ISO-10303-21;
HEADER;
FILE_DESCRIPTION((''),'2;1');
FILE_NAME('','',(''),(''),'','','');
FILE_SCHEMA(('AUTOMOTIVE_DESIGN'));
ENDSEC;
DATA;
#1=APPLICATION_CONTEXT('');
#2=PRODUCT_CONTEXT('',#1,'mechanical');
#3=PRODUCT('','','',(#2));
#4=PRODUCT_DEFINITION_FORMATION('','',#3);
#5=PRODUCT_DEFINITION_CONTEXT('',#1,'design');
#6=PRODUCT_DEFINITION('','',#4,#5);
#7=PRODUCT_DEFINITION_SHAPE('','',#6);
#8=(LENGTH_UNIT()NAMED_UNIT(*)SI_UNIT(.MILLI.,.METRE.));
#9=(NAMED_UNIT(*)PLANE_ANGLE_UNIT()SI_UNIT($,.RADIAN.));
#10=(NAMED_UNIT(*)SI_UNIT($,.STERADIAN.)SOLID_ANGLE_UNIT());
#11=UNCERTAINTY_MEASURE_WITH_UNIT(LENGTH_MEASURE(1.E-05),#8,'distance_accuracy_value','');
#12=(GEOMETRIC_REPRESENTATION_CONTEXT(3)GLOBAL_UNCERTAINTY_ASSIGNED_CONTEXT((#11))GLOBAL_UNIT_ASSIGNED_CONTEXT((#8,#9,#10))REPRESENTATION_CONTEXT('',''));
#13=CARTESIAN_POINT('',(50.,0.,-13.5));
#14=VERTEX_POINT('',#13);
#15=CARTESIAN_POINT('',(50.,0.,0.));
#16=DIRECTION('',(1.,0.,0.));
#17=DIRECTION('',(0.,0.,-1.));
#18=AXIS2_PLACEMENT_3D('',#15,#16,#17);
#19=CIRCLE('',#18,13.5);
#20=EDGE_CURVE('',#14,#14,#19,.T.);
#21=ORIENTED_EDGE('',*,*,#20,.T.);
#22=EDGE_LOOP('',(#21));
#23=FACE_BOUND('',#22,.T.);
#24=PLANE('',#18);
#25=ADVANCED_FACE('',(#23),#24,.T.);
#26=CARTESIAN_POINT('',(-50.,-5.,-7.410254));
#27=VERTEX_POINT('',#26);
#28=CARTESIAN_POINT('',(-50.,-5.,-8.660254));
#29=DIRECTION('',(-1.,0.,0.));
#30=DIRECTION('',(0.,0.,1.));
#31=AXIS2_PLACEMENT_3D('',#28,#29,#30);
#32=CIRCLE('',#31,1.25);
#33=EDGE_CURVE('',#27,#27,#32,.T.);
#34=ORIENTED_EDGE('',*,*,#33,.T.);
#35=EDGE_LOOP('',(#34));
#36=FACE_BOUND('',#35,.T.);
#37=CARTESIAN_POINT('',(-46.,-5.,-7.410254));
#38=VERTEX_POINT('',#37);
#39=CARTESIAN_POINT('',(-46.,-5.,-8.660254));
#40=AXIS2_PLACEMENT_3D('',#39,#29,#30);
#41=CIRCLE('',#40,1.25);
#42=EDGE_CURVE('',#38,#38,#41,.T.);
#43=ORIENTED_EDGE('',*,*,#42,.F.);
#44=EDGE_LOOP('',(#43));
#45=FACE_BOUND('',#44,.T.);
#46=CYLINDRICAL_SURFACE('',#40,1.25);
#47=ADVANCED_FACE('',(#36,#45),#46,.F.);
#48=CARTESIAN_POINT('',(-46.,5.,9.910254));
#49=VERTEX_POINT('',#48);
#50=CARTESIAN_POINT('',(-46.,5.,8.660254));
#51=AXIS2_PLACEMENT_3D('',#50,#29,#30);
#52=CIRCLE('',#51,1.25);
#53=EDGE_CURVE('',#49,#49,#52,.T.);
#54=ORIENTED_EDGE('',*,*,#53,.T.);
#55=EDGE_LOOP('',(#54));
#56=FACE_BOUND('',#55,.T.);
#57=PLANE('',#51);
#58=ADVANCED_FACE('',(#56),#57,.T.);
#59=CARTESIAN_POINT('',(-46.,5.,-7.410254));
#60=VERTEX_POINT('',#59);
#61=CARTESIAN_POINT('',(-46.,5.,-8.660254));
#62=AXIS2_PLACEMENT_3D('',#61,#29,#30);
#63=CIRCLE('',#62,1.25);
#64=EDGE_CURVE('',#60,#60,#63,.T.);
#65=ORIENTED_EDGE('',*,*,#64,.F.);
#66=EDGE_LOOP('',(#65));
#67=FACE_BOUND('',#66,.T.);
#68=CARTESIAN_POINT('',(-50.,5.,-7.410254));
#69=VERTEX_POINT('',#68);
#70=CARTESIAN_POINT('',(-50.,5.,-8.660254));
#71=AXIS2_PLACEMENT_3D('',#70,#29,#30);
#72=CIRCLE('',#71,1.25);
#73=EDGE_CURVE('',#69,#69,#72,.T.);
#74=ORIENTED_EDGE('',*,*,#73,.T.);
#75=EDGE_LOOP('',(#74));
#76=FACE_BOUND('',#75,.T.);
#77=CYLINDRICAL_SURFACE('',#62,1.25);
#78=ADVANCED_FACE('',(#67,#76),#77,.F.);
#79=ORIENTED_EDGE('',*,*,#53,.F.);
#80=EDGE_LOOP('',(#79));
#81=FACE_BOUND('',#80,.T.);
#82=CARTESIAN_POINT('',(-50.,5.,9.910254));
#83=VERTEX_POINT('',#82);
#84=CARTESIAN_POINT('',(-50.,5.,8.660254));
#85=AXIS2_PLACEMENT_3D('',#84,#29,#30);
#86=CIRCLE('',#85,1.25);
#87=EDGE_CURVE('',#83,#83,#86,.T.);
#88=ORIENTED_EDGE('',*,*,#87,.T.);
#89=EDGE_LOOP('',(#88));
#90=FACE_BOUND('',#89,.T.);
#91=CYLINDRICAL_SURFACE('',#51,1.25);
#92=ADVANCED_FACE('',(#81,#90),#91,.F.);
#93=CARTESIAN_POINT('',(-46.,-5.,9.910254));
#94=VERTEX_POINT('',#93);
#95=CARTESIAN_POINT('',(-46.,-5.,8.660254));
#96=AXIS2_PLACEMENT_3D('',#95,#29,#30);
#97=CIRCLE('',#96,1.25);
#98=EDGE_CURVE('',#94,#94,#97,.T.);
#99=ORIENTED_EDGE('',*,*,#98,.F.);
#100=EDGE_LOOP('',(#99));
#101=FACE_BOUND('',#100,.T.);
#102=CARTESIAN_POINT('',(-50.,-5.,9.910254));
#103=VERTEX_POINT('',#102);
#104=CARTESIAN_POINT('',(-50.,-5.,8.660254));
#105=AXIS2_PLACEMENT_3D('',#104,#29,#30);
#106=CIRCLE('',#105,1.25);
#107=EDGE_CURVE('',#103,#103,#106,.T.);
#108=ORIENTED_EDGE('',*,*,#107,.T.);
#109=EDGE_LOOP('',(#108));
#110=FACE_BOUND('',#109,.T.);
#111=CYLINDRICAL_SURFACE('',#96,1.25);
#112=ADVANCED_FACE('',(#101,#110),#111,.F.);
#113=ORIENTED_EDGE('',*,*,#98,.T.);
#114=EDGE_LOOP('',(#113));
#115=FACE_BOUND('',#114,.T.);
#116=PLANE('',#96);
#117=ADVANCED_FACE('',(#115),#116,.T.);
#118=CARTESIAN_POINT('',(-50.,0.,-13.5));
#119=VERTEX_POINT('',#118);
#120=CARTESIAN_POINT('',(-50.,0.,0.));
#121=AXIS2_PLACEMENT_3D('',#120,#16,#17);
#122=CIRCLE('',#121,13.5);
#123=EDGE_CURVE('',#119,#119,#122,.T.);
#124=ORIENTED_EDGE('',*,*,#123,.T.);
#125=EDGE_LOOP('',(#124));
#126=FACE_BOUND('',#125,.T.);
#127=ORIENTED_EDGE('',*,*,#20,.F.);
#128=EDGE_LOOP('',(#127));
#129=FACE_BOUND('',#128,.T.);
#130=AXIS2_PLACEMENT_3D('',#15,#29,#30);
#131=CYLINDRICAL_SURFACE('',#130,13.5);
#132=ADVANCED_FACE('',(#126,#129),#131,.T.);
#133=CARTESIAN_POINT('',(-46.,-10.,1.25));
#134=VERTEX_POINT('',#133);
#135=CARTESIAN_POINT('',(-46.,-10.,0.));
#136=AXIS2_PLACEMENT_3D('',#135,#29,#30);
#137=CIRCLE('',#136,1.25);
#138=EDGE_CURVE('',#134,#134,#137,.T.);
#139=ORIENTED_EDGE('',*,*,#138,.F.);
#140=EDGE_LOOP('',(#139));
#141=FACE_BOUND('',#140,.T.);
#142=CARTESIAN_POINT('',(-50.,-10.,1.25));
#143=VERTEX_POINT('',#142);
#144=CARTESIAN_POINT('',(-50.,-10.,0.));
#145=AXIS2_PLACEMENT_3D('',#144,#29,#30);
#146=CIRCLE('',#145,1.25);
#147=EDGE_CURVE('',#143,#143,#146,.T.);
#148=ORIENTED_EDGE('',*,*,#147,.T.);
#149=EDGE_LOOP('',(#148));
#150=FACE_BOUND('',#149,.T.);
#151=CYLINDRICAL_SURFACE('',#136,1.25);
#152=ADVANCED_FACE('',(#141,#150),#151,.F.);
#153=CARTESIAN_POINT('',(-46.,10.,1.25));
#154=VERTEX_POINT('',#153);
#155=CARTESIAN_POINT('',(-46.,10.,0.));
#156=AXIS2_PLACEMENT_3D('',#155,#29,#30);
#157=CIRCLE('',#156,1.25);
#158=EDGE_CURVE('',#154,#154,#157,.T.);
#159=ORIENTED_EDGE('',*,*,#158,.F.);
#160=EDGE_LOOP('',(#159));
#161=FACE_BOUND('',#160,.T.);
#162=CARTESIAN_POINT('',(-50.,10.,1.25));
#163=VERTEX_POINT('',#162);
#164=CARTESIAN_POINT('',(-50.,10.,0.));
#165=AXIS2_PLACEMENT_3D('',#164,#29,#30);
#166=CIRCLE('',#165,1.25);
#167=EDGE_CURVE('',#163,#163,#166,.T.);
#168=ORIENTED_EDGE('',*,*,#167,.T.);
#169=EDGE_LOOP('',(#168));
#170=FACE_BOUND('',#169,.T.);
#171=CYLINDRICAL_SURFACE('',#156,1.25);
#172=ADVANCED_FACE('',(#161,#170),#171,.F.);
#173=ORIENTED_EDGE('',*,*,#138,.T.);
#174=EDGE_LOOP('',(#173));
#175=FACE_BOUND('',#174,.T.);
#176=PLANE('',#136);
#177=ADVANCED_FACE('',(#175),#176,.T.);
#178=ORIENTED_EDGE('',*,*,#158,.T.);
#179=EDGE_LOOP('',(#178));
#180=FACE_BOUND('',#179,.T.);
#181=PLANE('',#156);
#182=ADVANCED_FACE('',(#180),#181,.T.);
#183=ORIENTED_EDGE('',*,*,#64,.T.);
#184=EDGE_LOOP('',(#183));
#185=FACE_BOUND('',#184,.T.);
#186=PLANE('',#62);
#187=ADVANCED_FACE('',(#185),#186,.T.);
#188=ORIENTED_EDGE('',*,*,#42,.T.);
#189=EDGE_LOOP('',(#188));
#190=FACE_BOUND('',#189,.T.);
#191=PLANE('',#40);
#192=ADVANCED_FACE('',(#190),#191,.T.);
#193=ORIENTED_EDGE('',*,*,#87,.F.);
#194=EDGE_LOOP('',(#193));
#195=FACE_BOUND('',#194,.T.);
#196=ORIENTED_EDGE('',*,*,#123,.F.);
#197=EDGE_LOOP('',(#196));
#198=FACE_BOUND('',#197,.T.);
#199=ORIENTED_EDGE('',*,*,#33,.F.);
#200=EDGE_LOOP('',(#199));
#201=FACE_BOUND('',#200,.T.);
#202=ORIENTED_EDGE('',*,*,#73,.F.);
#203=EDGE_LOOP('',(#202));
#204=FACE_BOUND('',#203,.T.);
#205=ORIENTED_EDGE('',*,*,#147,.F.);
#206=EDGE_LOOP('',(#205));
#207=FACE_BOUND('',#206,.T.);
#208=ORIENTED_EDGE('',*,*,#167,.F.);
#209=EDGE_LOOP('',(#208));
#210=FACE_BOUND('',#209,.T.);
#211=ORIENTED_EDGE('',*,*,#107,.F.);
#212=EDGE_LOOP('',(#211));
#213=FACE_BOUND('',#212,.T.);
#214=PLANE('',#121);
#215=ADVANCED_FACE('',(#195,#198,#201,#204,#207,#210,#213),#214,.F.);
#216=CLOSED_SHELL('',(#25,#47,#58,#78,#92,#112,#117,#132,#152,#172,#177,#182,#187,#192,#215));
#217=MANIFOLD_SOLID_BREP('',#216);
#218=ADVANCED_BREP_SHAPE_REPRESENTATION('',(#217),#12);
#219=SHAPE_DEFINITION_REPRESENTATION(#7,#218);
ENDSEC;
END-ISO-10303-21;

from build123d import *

# Parameters (mm, degrees)
SKETCH1_R           = 13.5
BOSS_EXTRUDE1_DEPTH = 50
SKETCH2_R           = 1.25
CUT_EXTRUDE1_DEPTH  = 4


with BuildPart() as part:
    # Sketch1 → Boss-Extrude1 (new, symmetric)
    with BuildSketch(Plane(origin=(0, 0, 0), x_dir=(0, 0, -1), z_dir=(1, 0, 0))):
        Circle(SKETCH1_R)
    extrude(amount=BOSS_EXTRUDE1_DEPTH, both=True)

    # Sketch2 → Cut-Extrude1 (cut)
    with BuildSketch(Plane.ZY.offset(50)):
        with Locations((0, 10)):
            Circle(SKETCH2_R)
        with Locations((8.660254038, 5)):
            Circle(SKETCH2_R)
        with Locations((8.660254038, -5)):
            Circle(SKETCH2_R)
        with Locations((0, -10)):
            Circle(SKETCH2_R)
        with Locations((-8.660254038, -5)):
            Circle(SKETCH2_R)
        with Locations((-8.660254038, 5)):
            Circle(SKETCH2_R)
    extrude(amount=-CUT_EXTRUDE1_DEPTH, mode=Mode.SUBTRACT)


solid = part.part
